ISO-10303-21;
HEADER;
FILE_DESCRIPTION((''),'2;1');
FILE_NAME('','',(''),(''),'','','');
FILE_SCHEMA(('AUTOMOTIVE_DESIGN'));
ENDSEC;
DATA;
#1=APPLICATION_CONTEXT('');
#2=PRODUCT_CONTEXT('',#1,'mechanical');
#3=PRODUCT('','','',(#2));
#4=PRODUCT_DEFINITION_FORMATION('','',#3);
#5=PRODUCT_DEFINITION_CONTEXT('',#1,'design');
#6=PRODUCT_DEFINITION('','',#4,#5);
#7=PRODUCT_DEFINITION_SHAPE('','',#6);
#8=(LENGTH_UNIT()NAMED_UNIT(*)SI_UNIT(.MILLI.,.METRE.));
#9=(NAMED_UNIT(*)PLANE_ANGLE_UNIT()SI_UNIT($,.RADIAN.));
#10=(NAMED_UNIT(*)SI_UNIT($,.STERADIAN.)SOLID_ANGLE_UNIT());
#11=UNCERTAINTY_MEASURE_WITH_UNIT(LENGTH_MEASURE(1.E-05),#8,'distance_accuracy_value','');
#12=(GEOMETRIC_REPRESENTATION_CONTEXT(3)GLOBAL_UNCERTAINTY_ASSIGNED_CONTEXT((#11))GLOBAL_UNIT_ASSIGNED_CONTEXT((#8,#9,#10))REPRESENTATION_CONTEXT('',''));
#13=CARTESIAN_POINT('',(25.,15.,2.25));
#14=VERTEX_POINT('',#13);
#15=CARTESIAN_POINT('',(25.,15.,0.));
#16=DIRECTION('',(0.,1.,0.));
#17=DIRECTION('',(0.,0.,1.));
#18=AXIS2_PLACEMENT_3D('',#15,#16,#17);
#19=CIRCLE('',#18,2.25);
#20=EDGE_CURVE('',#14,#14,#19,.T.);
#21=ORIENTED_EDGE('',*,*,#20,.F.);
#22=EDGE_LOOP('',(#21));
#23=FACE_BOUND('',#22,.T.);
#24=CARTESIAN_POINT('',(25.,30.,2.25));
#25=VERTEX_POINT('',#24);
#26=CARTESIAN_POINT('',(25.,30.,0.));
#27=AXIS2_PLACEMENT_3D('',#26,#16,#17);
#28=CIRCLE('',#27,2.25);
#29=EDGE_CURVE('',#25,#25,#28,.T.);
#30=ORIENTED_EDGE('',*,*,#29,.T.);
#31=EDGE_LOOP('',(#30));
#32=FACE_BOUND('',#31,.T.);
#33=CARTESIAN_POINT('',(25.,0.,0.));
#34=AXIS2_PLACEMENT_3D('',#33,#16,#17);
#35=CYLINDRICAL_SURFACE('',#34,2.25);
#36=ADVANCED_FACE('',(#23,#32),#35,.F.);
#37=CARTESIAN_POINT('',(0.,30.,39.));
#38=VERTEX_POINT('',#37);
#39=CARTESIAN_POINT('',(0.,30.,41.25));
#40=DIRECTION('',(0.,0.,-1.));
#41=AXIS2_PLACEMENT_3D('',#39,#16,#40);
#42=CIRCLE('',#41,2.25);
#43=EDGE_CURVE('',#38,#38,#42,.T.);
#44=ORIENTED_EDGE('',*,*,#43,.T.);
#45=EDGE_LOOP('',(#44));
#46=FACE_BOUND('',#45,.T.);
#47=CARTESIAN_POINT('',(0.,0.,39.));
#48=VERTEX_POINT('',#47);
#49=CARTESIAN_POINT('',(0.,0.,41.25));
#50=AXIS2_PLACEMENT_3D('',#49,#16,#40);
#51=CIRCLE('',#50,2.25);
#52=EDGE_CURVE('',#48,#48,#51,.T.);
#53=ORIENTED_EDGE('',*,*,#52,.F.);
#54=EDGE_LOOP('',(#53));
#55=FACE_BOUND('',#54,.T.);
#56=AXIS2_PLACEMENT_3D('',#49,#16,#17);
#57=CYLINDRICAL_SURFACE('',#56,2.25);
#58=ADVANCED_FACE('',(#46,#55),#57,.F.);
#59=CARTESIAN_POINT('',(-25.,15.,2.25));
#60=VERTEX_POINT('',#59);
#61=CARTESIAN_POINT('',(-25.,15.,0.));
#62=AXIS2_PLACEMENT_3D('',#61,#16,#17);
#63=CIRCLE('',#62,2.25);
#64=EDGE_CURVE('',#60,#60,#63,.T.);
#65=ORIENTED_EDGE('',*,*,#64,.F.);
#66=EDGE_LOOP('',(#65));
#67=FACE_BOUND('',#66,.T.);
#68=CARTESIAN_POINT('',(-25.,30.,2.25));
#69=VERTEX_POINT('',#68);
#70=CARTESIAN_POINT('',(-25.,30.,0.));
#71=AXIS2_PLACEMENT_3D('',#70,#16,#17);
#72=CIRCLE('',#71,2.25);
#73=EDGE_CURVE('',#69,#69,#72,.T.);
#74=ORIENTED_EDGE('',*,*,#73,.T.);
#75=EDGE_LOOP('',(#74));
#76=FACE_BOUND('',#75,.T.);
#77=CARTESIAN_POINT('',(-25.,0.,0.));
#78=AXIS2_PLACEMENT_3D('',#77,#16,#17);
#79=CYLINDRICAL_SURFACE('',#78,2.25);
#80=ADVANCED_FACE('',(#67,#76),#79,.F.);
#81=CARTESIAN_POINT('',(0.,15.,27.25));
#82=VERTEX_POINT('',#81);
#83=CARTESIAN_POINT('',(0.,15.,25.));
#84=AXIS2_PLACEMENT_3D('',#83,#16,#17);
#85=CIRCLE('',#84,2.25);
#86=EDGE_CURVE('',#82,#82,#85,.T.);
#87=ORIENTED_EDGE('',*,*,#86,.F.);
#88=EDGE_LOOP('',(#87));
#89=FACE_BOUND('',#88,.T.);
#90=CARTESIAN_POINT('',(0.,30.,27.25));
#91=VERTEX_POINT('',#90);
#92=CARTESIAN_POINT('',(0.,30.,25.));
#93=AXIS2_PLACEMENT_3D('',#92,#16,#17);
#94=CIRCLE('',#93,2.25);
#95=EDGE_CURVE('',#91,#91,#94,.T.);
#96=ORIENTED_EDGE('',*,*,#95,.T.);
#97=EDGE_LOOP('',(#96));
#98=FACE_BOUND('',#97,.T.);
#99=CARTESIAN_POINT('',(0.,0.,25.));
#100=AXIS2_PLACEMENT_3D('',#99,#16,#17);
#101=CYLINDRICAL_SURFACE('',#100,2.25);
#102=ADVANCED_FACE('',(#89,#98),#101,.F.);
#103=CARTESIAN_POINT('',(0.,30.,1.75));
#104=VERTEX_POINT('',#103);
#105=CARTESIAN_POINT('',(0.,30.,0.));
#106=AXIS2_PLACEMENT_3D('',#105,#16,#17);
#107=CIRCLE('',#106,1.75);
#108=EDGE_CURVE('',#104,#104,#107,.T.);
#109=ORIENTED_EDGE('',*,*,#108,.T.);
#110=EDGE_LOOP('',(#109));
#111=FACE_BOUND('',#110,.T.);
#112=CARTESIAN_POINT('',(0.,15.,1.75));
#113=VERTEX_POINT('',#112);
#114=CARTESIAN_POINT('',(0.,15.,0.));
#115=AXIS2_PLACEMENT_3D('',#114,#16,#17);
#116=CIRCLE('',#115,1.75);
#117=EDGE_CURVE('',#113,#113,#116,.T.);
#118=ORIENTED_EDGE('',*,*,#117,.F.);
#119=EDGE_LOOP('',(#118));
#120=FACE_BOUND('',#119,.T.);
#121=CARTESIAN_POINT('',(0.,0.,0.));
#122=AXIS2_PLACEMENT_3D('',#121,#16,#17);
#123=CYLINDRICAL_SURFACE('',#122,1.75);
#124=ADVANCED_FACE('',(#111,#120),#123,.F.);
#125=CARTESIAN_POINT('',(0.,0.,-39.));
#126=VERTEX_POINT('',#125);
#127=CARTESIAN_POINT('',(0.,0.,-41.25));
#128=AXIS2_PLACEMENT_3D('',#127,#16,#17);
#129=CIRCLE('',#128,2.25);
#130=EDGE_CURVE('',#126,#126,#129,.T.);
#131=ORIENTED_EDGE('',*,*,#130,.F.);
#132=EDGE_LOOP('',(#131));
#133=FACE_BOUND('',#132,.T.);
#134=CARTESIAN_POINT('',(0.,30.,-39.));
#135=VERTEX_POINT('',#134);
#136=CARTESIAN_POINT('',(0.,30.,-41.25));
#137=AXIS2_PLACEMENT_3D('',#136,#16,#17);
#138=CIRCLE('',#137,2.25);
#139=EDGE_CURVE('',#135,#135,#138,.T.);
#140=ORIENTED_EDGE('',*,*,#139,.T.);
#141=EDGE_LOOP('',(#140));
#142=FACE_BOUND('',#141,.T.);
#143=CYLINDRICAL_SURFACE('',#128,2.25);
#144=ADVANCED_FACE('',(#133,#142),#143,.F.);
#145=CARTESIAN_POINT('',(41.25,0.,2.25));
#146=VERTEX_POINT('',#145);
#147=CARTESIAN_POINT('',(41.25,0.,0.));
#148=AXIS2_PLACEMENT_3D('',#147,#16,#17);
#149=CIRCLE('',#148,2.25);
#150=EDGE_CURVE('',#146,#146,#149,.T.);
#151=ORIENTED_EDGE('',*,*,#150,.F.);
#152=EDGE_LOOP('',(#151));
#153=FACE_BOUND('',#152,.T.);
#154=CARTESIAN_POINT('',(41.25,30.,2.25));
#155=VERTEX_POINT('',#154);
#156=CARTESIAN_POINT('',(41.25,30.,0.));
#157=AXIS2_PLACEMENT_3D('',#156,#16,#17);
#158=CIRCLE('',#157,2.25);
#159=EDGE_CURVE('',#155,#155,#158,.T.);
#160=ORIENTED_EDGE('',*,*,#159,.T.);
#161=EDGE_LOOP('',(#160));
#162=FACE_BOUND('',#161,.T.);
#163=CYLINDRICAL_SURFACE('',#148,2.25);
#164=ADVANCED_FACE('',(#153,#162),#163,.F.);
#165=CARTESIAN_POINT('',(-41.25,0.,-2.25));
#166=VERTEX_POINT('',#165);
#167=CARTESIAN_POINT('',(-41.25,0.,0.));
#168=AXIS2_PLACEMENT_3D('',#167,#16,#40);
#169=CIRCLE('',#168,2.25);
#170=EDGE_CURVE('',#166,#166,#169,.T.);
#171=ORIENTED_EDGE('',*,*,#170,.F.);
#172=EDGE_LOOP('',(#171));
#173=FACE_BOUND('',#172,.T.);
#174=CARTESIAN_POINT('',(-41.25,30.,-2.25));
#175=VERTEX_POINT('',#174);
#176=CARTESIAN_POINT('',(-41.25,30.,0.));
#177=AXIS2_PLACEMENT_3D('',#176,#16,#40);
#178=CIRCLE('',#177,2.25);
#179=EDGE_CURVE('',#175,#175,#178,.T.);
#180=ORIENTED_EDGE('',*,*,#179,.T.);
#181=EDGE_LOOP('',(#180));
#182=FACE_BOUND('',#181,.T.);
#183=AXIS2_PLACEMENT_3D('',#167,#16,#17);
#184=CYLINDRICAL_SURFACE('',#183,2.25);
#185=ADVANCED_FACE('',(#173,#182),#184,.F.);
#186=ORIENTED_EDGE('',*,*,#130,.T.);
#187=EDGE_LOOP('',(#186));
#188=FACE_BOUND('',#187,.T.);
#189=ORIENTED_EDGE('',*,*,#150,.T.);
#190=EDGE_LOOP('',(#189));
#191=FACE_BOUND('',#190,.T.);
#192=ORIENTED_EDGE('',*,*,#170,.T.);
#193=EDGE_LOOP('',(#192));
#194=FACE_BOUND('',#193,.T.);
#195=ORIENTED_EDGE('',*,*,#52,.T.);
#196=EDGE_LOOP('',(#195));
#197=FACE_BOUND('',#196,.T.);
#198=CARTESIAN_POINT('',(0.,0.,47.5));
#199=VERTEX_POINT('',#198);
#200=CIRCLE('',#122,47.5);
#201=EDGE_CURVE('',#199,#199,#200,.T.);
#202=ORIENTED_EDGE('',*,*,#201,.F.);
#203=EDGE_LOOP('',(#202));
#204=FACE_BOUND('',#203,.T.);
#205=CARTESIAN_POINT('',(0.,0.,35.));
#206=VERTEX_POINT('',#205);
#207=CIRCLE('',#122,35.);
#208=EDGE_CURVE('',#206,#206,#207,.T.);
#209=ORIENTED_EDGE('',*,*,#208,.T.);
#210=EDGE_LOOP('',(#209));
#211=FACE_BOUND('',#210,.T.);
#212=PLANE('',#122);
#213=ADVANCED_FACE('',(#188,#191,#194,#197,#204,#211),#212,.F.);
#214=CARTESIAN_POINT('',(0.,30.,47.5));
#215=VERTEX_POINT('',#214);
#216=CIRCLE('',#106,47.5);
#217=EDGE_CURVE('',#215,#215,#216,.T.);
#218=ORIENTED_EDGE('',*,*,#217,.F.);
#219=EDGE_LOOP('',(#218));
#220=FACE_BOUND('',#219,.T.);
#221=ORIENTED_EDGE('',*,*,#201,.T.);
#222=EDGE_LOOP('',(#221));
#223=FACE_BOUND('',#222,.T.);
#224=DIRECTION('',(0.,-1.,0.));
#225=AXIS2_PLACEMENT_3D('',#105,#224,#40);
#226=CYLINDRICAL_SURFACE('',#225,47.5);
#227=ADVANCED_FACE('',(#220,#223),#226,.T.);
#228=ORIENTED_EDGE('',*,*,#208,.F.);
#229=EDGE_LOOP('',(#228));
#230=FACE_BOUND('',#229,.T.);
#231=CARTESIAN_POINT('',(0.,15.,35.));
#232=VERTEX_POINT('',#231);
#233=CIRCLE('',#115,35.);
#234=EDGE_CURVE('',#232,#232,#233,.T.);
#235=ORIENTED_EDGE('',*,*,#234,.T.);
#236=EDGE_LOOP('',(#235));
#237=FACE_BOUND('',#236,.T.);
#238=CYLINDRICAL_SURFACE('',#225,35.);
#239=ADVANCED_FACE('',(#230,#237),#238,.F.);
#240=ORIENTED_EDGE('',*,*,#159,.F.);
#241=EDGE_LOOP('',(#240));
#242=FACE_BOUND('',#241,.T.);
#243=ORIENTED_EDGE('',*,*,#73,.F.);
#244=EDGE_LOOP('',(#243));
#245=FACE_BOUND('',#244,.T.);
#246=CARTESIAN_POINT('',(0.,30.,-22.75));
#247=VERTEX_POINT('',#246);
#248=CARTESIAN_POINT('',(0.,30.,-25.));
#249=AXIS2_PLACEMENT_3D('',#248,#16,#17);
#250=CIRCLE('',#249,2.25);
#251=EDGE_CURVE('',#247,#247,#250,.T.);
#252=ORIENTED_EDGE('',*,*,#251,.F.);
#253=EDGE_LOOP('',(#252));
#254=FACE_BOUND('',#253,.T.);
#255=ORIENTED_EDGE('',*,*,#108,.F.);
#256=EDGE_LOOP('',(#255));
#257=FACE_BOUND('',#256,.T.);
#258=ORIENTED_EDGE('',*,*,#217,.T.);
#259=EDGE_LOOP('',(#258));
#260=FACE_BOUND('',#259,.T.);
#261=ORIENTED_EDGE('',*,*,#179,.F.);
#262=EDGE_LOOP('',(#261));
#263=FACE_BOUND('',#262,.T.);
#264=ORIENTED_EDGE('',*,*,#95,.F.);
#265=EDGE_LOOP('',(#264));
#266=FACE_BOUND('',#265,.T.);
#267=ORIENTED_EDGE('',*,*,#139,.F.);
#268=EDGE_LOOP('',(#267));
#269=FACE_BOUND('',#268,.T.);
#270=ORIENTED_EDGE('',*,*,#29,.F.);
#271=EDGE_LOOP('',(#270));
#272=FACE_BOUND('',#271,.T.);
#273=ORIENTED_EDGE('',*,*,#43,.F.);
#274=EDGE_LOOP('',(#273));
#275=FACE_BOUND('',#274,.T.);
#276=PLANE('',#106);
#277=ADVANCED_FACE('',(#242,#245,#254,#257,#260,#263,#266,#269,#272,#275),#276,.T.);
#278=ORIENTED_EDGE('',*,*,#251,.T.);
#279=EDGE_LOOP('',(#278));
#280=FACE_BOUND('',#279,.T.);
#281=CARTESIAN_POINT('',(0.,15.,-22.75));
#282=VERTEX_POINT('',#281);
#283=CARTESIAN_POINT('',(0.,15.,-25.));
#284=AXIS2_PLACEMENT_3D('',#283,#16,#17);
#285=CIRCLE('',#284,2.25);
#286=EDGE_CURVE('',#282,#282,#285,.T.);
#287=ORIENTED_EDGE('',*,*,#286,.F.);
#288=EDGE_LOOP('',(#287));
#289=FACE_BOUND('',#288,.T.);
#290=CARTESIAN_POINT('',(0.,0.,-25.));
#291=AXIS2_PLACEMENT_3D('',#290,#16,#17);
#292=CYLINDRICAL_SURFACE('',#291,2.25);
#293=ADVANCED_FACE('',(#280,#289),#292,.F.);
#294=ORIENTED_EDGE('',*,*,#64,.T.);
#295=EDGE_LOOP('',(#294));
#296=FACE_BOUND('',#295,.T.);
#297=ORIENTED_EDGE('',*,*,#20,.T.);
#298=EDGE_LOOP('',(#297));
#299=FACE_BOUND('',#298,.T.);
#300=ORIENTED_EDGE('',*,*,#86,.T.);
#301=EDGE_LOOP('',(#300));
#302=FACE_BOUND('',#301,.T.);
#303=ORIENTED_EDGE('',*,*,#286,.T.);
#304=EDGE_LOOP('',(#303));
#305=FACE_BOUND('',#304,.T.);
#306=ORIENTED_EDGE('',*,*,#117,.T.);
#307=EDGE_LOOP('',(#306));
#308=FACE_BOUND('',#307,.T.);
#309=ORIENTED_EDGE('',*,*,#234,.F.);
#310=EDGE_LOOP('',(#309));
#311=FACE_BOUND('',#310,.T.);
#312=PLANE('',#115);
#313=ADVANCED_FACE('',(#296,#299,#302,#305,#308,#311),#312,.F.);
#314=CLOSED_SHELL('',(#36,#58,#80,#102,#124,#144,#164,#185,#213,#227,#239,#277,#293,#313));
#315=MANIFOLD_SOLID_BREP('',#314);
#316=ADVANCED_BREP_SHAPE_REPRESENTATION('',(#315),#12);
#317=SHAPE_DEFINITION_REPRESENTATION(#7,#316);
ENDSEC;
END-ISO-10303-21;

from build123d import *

# Parameters (mm, degrees)
SKETCH1_R           = 47.5
SKETCH1_R_2         = 35
BOSS_EXTRUDE1_DEPTH = 30
SKETCH2_R           = 2.25
CUT_EXTRUDE1_DEPTH  = 74.569694848
BOSS_EXTRUDE2_START = -15
SKETCH4_R           = 35
BOSS_EXTRUDE2_DEPTH = 15
SKETCH6_R           = 1.75
CUT_EXTRUDE2_DEPTH  = 30
SKETCH2_2_R         = 2.25
CUT_EXTRUDE3_DEPTH  = 74.569694848


with BuildPart() as part:
    # Sketch1 → Boss-Extrude1 (new body)
    with BuildSketch(Plane(origin=(0, 0, 0), x_dir=(1, 0, 0), z_dir=(0, 1, 0))):
        Circle(SKETCH1_R)
        Circle(SKETCH1_R_2, mode=Mode.SUBTRACT)
    extrude(amount=BOSS_EXTRUDE1_DEPTH)

    # Sketch2 → Cut-Extrude1 (cut, through all)
    with BuildSketch(Plane(origin=(0, 30, 0), x_dir=(1, 0, 0), z_dir=(0, 1, 0))):
        with Locations((0, 41.25)):
            Circle(SKETCH2_R)
        with Locations((41.25, 0)):
            Circle(SKETCH2_R)
        with Locations((0, -41.25)):
            Circle(SKETCH2_R)
        with Locations((-41.25, 0)):
            Circle(SKETCH2_R)
        with Locations((0, 25)):
            Circle(SKETCH2_R)
        with Locations((25, 0)):
            Circle(SKETCH2_R)
        with Locations((0, -25)):
            Circle(SKETCH2_R)
        with Locations((-25, 0)):
            Circle(SKETCH2_R)
    extrude(amount=-CUT_EXTRUDE1_DEPTH, mode=Mode.SUBTRACT)

    # Sketch4 → Boss-Extrude2 (add)
    with BuildSketch(Plane(origin=(0, 30, 0), x_dir=(1, 0, 0), z_dir=(0, 1, 0)).offset(BOSS_EXTRUDE2_START)):
        Circle(SKETCH4_R)
    extrude(amount=BOSS_EXTRUDE2_DEPTH)

    # Sketch6 → Cut-Extrude2 (cut)
    with BuildSketch(Plane(origin=(0, 30, 0), x_dir=(1, 0, 0), z_dir=(0, 1, 0))):
        Circle(SKETCH6_R)
    extrude(amount=-CUT_EXTRUDE2_DEPTH, mode=Mode.SUBTRACT)

    # Sketch2<2> → Cut-Extrude3 (cut, through all)
    with BuildSketch(Plane(origin=(0, 30, 0), x_dir=(1, 0, 0), z_dir=(0, 1, 0))):
        with Locations((0, 41.25)):
            Circle(SKETCH2_2_R)
        with Locations((41.25, 0)):
            Circle(SKETCH2_2_R)
        with Locations((0, -41.25)):
            Circle(SKETCH2_2_R)
        with Locations((-41.25, 0)):
            Circle(SKETCH2_2_R)
        with Locations((0, 25)):
            Circle(SKETCH2_2_R)
        with Locations((25, 0)):
            Circle(SKETCH2_2_R)
        with Locations((0, -25)):
            Circle(SKETCH2_2_R)
        with Locations((-25, 0)):
            Circle(SKETCH2_2_R)
    extrude(amount=-CUT_EXTRUDE3_DEPTH, mode=Mode.SUBTRACT)


solid = part.part
